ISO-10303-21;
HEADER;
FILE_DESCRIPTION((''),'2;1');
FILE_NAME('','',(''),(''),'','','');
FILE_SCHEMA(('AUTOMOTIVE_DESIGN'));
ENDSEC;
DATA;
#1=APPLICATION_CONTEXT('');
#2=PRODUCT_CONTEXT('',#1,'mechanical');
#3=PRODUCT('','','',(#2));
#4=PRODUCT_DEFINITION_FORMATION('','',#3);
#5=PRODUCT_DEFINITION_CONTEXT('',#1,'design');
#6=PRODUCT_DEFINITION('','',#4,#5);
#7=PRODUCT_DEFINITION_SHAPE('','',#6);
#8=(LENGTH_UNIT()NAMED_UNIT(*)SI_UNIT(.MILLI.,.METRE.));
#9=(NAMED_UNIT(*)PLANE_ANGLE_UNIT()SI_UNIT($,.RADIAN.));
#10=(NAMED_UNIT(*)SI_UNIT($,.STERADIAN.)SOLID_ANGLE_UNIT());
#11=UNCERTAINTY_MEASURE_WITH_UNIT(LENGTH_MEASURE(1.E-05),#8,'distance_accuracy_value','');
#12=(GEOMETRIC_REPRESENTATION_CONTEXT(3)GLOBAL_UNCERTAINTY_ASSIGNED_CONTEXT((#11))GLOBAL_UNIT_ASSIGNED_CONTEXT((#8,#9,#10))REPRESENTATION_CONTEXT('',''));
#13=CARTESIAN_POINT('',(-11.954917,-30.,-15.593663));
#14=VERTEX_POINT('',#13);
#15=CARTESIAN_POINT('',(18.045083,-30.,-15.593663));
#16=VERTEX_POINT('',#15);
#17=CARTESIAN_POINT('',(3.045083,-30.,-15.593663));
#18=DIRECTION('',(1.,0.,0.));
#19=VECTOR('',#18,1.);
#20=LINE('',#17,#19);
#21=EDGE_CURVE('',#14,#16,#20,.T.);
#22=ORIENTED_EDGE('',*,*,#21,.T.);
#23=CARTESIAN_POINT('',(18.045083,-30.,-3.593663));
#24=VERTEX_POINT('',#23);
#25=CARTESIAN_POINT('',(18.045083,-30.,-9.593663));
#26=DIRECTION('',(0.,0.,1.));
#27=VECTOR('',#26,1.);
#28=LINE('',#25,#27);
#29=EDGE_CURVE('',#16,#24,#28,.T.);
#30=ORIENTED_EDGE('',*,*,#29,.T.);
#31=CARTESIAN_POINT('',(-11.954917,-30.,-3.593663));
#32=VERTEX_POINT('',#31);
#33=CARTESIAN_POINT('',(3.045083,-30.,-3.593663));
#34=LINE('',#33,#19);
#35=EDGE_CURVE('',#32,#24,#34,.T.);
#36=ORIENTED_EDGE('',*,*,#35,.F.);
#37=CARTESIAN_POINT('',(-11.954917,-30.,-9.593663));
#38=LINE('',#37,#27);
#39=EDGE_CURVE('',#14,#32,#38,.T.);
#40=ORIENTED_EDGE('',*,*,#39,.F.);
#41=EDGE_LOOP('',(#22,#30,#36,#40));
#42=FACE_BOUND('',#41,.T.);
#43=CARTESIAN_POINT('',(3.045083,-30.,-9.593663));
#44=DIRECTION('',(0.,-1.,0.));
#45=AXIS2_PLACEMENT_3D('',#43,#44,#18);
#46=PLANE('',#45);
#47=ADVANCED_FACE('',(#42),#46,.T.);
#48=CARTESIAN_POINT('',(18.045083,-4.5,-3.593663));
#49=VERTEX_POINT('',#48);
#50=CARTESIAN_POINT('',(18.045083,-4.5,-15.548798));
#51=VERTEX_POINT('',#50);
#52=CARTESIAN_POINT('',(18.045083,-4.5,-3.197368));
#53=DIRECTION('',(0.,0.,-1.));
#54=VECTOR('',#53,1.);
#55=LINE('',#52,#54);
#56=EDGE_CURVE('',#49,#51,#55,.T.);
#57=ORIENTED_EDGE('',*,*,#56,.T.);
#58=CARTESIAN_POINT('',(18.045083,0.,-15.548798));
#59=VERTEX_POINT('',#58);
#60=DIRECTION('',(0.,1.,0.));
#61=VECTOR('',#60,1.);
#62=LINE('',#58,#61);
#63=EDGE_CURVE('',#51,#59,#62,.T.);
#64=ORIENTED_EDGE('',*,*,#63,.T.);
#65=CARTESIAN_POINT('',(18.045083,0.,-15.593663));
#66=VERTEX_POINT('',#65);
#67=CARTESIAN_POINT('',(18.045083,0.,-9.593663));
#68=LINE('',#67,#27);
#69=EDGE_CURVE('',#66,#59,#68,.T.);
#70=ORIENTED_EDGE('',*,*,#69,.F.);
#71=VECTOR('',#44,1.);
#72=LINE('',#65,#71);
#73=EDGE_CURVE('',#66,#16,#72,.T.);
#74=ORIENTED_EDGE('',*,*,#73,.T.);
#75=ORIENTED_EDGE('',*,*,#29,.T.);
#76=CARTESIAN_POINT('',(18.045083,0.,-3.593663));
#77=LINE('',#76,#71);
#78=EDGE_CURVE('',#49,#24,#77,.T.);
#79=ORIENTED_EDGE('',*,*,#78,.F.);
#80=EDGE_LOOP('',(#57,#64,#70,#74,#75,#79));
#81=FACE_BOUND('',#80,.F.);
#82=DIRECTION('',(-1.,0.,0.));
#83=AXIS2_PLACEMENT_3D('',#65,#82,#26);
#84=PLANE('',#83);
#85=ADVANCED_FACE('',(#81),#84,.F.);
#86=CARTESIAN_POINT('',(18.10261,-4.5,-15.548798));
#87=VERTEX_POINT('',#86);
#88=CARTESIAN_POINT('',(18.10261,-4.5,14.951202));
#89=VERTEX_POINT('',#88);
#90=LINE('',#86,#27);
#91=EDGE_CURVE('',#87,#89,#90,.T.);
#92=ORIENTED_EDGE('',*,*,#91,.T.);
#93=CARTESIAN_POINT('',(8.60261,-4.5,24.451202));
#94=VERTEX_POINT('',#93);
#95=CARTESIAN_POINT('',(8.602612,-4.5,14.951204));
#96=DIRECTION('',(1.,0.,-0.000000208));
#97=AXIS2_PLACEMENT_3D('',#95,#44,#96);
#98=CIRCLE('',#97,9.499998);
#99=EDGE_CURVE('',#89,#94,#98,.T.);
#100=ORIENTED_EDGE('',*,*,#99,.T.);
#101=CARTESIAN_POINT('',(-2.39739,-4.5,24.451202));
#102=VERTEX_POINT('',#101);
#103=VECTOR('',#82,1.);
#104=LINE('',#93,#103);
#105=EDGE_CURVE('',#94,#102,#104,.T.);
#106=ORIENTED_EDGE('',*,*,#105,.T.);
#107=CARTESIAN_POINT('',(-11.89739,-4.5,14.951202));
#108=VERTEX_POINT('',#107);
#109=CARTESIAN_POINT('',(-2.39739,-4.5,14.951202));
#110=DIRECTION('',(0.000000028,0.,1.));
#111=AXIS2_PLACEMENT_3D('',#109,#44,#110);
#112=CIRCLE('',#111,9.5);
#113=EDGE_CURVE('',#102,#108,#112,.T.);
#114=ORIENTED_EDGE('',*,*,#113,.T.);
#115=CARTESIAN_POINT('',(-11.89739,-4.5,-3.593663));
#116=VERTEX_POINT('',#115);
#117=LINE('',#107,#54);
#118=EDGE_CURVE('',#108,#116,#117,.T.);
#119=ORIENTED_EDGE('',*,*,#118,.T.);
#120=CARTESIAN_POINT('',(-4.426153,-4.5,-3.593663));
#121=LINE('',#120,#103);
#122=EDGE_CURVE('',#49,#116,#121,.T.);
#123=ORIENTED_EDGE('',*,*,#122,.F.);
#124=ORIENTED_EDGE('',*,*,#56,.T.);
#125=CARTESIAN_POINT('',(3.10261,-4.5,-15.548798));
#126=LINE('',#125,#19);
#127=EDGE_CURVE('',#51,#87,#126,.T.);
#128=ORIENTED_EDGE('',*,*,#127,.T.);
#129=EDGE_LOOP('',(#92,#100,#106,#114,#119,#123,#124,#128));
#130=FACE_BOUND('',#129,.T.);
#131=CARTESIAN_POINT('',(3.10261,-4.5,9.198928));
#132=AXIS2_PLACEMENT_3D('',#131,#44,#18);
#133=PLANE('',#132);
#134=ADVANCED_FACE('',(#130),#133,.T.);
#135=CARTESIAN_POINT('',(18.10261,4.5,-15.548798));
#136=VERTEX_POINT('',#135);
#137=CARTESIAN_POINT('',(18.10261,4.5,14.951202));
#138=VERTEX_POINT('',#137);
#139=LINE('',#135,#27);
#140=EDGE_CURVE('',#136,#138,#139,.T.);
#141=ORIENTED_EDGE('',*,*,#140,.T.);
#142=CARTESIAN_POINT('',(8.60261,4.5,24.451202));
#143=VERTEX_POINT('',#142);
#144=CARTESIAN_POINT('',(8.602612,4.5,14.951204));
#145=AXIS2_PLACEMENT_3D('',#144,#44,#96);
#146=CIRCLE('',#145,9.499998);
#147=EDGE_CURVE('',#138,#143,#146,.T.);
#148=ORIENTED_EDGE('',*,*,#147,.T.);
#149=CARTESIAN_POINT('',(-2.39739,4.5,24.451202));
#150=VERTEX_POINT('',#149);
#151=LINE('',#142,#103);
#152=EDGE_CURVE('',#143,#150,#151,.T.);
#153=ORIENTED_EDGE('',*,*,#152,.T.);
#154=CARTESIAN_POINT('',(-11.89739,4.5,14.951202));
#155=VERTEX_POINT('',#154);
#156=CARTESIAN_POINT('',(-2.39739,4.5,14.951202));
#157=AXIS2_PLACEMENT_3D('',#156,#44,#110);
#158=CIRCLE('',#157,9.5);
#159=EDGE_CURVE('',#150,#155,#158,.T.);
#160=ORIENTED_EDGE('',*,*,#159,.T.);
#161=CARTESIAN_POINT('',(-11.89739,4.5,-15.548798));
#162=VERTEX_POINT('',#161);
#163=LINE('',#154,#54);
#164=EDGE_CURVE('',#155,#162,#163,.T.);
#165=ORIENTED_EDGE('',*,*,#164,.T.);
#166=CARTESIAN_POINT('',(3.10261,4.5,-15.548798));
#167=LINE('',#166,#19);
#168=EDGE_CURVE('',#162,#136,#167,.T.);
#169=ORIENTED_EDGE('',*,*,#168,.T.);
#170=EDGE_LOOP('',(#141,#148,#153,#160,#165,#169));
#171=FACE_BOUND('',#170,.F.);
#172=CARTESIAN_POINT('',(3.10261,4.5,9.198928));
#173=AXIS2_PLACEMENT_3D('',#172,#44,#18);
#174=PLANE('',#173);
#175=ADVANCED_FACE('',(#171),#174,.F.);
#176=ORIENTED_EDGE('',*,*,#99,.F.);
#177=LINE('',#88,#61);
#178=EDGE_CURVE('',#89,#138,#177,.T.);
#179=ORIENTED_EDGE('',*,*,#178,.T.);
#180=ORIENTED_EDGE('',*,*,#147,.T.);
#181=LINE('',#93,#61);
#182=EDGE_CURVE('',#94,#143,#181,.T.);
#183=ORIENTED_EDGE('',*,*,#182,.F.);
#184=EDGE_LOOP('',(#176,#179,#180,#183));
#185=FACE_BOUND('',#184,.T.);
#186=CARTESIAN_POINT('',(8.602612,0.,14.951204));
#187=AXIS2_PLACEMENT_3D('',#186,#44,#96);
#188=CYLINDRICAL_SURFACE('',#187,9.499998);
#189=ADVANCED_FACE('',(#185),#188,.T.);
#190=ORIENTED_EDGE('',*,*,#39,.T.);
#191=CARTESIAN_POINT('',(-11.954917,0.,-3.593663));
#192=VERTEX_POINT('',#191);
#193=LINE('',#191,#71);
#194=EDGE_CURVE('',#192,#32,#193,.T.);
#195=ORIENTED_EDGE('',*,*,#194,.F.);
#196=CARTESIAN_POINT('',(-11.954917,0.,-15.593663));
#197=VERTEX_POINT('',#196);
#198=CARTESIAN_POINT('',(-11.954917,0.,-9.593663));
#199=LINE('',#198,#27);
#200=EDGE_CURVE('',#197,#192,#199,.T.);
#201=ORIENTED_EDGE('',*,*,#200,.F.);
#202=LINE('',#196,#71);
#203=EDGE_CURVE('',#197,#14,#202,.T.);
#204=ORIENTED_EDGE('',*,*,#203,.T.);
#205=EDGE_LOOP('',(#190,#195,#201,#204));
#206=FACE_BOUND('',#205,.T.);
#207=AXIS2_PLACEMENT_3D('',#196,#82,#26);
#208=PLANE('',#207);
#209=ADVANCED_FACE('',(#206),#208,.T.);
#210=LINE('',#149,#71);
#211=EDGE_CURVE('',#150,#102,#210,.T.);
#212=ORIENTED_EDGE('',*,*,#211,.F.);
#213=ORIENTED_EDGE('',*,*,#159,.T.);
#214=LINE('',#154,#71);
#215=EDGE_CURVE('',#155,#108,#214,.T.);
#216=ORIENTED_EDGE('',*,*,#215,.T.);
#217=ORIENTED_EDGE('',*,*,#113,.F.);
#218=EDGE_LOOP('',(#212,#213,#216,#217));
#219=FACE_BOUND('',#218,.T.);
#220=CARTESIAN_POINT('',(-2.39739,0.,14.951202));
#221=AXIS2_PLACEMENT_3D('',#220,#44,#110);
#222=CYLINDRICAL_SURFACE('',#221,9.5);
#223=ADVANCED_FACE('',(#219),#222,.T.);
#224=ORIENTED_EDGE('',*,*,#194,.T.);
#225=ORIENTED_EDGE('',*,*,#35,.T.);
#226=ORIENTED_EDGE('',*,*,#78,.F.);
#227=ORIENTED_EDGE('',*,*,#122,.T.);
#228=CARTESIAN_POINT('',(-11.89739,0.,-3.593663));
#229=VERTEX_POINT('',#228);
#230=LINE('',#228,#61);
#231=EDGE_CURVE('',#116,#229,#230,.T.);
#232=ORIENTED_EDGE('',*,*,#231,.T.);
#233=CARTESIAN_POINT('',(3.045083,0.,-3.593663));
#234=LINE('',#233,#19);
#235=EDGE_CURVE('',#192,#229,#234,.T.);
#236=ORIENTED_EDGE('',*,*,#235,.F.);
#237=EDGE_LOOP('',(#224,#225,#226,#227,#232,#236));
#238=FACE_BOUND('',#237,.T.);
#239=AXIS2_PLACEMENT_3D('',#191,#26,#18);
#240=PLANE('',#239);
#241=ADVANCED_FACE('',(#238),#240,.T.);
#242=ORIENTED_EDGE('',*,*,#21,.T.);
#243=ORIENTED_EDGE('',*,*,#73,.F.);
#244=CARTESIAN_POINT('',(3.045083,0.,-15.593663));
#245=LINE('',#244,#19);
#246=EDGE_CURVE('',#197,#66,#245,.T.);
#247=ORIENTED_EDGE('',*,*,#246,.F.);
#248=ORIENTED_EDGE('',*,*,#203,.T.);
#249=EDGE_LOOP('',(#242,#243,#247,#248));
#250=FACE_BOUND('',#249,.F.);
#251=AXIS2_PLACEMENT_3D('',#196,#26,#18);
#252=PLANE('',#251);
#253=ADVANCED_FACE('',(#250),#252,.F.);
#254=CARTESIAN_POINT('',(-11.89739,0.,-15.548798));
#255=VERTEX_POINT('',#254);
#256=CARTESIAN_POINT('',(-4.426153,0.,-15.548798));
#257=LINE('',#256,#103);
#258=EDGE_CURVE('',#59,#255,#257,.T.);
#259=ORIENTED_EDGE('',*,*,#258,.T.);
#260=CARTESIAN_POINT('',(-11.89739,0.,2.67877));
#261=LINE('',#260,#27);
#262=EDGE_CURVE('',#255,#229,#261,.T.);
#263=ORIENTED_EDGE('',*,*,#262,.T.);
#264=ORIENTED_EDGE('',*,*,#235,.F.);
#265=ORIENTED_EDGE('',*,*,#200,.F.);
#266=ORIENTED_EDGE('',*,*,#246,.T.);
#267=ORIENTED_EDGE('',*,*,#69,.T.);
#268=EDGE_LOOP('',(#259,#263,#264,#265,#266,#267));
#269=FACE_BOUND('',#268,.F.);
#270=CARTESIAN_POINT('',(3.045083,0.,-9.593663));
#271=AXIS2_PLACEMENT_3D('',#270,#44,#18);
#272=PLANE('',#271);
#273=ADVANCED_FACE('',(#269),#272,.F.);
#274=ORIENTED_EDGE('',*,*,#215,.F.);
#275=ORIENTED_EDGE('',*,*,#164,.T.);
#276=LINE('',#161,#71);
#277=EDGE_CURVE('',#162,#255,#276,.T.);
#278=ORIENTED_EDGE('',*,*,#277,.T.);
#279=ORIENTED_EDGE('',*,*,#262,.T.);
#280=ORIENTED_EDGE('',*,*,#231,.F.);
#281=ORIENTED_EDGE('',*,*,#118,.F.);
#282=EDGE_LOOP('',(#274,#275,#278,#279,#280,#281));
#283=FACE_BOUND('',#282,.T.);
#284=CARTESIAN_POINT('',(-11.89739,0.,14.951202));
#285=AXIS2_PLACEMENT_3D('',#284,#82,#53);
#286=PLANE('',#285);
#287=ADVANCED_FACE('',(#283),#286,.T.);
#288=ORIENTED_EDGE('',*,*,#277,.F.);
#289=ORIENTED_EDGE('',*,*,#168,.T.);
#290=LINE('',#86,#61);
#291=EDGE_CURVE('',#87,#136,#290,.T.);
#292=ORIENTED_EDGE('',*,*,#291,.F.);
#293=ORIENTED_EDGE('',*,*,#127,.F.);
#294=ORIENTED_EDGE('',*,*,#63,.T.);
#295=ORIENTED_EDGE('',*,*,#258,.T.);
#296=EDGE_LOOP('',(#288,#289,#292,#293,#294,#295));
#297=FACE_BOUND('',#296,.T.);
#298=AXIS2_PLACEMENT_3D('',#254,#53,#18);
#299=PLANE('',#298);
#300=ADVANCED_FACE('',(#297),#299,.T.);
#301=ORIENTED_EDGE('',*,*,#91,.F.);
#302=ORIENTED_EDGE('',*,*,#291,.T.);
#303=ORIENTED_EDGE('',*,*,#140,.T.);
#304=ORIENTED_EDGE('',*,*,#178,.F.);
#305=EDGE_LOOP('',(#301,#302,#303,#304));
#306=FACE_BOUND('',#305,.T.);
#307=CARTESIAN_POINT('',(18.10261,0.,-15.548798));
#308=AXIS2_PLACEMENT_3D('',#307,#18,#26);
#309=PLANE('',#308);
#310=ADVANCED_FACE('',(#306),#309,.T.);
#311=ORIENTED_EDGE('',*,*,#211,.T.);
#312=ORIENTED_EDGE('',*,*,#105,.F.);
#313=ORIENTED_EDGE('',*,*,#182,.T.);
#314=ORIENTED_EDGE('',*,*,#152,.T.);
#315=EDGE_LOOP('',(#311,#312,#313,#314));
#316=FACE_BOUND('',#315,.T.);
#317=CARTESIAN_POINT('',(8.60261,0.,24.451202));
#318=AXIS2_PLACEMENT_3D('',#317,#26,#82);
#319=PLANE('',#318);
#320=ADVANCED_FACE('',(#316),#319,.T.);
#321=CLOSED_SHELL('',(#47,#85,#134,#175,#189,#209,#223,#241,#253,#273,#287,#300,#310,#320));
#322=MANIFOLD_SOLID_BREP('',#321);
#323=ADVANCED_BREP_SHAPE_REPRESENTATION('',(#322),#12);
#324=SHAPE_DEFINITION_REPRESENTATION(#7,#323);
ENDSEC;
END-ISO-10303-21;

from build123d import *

# Parameters (mm, degrees)
F0_W     = 30
F0_H     = 12
F1_DEPTH = 4.5
F2_W     = 30
F2_H     = 12
F3_DEPTH = 30


with BuildPart() as f1:
    # F0 (on Front) → F1 (new body, symmetric)
    with BuildSketch(Plane.XZ):
        with BuildLine():
            Line((8.60261, 24.451202), (-2.39739, 24.451202))
            ThreePointArc((-2.39739, 24.451202), (-9.114904, 21.668717), (-11.89739, 14.951202))
            Line((-11.89739, 14.951202), (-11.89739, -3.548798))
            Line((-11.89739, -3.548798), (18.10261, -3.548798))
            Line((18.10261, -3.548798), (18.10261, 14.951202))
            ThreePointArc((18.10261, 14.951202), (15.320125, 21.668717), (8.60261, 24.451202))
        make_face()
        with Locations((3.10261, -9.548798)):
            Rectangle(F0_W, F0_H)
    extrude(amount=F1_DEPTH, both=True)

    # F2 (on Front) → F3 (join)
    with BuildSketch(Plane.XZ):
        with Locations((3.045083, -9.593663)):
            Rectangle(F2_W, F2_H)
    extrude(amount=F3_DEPTH)


solid = f1.part
